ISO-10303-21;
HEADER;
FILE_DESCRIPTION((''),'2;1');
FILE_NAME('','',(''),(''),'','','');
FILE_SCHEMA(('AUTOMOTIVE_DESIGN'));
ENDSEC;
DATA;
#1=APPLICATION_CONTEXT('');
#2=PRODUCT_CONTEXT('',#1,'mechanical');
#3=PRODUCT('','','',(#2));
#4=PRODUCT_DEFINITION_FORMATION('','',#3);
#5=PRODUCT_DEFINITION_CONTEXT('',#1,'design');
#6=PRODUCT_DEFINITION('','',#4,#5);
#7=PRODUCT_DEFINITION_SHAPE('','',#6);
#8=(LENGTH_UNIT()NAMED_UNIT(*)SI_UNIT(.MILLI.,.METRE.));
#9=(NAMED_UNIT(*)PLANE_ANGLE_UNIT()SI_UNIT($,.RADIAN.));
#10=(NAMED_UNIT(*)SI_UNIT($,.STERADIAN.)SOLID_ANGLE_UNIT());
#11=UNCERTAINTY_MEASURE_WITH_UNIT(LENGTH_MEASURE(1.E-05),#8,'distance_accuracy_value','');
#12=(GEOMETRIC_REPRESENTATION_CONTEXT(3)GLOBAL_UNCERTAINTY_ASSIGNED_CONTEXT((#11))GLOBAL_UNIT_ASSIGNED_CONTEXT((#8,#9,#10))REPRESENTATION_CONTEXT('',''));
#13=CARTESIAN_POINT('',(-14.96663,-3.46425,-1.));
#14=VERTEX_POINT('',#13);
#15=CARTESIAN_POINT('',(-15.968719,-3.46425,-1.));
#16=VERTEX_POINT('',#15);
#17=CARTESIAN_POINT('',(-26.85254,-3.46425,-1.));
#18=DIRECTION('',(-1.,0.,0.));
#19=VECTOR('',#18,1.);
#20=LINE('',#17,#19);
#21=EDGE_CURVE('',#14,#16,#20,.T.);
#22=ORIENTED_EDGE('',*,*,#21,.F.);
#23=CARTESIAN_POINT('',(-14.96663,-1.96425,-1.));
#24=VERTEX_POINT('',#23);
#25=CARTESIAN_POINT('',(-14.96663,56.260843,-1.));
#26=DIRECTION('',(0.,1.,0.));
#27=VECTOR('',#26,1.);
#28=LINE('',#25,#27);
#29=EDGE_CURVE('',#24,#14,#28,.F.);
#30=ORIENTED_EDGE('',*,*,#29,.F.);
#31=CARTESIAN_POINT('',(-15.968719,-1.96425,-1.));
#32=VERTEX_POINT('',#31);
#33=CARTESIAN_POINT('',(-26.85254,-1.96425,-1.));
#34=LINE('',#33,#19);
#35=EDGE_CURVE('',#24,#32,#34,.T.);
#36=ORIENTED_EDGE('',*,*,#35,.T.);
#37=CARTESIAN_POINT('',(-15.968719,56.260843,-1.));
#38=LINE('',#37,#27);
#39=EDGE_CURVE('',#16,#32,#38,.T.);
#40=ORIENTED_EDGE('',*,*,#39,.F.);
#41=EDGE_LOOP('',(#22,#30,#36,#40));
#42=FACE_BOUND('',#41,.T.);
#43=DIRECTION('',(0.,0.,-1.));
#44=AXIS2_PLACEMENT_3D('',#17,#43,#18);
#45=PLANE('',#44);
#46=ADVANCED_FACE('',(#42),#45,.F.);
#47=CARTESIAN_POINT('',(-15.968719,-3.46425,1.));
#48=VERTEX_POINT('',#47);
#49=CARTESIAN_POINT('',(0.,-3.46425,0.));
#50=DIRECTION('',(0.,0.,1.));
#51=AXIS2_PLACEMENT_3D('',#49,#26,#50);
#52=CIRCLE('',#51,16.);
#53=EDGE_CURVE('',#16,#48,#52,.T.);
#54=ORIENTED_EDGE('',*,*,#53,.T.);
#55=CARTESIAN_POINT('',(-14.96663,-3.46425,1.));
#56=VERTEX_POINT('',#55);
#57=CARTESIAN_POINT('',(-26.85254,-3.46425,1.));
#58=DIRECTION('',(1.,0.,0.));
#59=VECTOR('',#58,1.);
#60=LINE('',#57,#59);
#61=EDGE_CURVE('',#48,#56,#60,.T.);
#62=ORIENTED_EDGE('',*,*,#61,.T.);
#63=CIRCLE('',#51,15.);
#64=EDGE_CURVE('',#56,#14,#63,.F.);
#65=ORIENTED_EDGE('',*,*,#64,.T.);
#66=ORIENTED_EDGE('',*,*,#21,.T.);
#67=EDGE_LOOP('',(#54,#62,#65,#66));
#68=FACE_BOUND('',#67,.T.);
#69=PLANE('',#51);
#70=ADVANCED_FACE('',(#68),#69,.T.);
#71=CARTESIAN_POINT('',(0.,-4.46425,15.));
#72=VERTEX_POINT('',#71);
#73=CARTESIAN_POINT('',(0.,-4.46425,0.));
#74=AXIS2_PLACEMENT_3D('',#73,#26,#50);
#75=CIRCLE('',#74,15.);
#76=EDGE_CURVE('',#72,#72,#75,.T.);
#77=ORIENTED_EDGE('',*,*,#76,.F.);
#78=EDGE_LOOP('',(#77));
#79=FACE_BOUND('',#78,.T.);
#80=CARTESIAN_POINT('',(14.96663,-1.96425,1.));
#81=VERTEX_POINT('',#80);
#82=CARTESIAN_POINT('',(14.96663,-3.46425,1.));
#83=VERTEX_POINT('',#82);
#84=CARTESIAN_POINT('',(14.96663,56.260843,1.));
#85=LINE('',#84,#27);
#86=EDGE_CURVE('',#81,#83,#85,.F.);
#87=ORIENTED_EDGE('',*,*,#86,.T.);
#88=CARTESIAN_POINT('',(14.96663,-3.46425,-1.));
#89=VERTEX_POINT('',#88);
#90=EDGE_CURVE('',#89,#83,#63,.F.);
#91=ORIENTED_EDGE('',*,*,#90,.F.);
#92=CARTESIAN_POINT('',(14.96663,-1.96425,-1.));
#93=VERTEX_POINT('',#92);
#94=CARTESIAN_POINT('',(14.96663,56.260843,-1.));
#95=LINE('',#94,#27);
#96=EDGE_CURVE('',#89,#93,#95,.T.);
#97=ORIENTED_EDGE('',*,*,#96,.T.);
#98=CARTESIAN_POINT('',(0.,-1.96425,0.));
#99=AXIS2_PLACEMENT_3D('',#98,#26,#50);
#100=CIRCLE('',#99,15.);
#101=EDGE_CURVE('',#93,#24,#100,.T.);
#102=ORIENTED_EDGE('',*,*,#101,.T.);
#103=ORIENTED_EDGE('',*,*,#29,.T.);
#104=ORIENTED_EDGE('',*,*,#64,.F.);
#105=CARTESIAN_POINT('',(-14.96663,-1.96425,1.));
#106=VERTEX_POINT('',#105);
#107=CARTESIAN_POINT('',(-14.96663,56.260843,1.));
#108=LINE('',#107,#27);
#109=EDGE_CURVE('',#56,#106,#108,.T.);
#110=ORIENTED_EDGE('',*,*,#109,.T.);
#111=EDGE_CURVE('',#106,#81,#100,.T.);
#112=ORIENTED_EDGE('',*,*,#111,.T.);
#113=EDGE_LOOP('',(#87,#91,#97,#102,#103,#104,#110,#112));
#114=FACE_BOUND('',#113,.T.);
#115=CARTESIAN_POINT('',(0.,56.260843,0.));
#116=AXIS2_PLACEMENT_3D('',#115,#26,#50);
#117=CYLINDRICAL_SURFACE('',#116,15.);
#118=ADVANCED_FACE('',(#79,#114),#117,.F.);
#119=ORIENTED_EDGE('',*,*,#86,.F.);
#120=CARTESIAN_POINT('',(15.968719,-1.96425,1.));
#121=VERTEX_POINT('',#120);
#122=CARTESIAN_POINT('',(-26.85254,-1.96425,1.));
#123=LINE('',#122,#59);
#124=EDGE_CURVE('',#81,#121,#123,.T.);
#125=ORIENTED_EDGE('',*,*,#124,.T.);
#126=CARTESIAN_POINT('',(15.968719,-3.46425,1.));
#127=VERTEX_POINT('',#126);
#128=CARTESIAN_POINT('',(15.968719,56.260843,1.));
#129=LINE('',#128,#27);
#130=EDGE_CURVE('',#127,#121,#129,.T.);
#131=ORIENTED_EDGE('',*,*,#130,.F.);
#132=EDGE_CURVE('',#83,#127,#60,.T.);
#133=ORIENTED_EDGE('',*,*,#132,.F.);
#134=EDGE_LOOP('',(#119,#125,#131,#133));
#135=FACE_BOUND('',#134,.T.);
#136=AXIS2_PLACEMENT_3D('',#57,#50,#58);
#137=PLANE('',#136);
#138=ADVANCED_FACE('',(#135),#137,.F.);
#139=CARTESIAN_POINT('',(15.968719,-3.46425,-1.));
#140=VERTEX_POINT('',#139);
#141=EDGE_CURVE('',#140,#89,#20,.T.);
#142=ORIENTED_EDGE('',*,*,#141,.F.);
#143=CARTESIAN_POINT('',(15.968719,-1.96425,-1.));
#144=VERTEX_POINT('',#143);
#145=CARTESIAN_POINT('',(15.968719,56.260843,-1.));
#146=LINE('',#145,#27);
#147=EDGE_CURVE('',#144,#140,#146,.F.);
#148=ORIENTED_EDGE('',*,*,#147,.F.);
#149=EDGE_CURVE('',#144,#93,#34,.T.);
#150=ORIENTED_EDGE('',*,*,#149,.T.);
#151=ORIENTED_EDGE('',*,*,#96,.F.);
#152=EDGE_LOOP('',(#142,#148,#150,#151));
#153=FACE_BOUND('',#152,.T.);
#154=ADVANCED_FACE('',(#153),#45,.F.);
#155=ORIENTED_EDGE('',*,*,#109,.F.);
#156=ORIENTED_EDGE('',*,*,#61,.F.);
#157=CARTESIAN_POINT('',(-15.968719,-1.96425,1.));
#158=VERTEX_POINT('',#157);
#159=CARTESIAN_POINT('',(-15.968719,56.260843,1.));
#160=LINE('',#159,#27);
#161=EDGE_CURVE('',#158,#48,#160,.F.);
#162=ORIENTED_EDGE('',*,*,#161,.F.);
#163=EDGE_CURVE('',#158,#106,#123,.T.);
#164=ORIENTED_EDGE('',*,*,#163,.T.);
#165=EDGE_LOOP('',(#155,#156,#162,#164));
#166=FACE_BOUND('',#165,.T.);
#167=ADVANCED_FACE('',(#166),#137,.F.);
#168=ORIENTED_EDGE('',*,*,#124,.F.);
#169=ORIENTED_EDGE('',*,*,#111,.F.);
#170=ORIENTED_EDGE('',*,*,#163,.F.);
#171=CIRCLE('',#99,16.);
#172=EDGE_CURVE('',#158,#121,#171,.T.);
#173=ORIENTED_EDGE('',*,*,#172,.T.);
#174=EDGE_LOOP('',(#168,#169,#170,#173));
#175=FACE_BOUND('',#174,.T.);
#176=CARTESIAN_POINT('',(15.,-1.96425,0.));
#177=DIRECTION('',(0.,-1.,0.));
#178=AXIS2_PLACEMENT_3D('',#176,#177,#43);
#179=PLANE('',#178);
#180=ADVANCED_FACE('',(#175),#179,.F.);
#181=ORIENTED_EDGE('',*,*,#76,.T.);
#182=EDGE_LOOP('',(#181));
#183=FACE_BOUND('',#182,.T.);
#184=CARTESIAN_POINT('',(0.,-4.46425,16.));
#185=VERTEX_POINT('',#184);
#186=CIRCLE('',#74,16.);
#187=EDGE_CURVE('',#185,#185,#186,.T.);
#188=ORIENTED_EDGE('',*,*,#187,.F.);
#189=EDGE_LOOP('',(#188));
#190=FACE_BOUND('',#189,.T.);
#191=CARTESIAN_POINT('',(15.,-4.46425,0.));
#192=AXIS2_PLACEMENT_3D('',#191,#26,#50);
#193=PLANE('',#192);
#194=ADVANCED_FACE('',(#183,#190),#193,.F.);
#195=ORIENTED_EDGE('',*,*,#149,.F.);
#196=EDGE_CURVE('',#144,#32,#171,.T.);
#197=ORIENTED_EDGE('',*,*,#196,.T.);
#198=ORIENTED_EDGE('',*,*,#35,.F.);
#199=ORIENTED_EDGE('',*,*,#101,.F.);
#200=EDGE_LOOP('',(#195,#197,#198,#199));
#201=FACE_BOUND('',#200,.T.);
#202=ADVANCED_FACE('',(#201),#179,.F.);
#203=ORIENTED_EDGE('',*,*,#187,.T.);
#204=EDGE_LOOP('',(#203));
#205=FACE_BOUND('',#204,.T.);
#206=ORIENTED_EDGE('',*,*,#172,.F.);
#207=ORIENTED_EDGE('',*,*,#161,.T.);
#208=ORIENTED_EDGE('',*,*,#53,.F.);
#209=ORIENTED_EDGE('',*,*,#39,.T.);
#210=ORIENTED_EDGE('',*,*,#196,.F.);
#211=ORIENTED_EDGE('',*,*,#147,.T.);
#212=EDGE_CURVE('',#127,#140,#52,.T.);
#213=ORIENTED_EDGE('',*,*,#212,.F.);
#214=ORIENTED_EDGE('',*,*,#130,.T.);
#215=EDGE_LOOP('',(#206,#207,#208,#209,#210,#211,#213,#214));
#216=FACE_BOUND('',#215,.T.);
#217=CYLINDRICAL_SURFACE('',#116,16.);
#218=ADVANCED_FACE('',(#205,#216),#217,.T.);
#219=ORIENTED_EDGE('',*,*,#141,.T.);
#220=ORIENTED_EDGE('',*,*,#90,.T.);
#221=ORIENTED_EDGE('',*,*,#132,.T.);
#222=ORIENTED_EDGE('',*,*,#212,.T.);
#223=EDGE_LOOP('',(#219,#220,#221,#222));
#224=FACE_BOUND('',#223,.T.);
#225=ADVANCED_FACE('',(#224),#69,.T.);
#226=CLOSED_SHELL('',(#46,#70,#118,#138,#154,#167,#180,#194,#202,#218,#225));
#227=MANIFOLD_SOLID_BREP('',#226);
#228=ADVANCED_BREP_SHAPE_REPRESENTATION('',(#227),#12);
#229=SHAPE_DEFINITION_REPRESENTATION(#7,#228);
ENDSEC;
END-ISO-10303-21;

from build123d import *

# Parameters (mm, degrees)
SKETCH_1_W          = 1
SKETCH_1_H          = 2.5
SKETCH_2_W          = 53.705080546
SKETCH_2_H          = 2
CUT_EXTRUDE_1_DEPTH = 1.5


with BuildPart() as part:
    # 草图1 → 旋转1 (revolve)
    with BuildSketch(Plane.XY, mode=Mode.PRIVATE) as revolve_1_sk:
        with Locations((15.5, -3.214249787)):
            Rectangle(SKETCH_1_W, SKETCH_1_H)
    revolve(revolve_1_sk.sketch.rotate(Axis((0, 56.260842627, 0), (0, -1, 0)), 90), axis=Axis((0, 56.260842627, 0), (0, -1, 0)))  # turned: the seam where the file's is

    # 草图2 → 切除-拉伸1 (cut)
    with BuildSketch(Plane(origin=(0, -1.964249787, 0), x_dir=(1, 0, 0), z_dir=(0, 1, 0))):
        Rectangle(SKETCH_2_W, SKETCH_2_H)
    extrude(amount=-CUT_EXTRUDE_1_DEPTH, mode=Mode.SUBTRACT)


solid = part.part
